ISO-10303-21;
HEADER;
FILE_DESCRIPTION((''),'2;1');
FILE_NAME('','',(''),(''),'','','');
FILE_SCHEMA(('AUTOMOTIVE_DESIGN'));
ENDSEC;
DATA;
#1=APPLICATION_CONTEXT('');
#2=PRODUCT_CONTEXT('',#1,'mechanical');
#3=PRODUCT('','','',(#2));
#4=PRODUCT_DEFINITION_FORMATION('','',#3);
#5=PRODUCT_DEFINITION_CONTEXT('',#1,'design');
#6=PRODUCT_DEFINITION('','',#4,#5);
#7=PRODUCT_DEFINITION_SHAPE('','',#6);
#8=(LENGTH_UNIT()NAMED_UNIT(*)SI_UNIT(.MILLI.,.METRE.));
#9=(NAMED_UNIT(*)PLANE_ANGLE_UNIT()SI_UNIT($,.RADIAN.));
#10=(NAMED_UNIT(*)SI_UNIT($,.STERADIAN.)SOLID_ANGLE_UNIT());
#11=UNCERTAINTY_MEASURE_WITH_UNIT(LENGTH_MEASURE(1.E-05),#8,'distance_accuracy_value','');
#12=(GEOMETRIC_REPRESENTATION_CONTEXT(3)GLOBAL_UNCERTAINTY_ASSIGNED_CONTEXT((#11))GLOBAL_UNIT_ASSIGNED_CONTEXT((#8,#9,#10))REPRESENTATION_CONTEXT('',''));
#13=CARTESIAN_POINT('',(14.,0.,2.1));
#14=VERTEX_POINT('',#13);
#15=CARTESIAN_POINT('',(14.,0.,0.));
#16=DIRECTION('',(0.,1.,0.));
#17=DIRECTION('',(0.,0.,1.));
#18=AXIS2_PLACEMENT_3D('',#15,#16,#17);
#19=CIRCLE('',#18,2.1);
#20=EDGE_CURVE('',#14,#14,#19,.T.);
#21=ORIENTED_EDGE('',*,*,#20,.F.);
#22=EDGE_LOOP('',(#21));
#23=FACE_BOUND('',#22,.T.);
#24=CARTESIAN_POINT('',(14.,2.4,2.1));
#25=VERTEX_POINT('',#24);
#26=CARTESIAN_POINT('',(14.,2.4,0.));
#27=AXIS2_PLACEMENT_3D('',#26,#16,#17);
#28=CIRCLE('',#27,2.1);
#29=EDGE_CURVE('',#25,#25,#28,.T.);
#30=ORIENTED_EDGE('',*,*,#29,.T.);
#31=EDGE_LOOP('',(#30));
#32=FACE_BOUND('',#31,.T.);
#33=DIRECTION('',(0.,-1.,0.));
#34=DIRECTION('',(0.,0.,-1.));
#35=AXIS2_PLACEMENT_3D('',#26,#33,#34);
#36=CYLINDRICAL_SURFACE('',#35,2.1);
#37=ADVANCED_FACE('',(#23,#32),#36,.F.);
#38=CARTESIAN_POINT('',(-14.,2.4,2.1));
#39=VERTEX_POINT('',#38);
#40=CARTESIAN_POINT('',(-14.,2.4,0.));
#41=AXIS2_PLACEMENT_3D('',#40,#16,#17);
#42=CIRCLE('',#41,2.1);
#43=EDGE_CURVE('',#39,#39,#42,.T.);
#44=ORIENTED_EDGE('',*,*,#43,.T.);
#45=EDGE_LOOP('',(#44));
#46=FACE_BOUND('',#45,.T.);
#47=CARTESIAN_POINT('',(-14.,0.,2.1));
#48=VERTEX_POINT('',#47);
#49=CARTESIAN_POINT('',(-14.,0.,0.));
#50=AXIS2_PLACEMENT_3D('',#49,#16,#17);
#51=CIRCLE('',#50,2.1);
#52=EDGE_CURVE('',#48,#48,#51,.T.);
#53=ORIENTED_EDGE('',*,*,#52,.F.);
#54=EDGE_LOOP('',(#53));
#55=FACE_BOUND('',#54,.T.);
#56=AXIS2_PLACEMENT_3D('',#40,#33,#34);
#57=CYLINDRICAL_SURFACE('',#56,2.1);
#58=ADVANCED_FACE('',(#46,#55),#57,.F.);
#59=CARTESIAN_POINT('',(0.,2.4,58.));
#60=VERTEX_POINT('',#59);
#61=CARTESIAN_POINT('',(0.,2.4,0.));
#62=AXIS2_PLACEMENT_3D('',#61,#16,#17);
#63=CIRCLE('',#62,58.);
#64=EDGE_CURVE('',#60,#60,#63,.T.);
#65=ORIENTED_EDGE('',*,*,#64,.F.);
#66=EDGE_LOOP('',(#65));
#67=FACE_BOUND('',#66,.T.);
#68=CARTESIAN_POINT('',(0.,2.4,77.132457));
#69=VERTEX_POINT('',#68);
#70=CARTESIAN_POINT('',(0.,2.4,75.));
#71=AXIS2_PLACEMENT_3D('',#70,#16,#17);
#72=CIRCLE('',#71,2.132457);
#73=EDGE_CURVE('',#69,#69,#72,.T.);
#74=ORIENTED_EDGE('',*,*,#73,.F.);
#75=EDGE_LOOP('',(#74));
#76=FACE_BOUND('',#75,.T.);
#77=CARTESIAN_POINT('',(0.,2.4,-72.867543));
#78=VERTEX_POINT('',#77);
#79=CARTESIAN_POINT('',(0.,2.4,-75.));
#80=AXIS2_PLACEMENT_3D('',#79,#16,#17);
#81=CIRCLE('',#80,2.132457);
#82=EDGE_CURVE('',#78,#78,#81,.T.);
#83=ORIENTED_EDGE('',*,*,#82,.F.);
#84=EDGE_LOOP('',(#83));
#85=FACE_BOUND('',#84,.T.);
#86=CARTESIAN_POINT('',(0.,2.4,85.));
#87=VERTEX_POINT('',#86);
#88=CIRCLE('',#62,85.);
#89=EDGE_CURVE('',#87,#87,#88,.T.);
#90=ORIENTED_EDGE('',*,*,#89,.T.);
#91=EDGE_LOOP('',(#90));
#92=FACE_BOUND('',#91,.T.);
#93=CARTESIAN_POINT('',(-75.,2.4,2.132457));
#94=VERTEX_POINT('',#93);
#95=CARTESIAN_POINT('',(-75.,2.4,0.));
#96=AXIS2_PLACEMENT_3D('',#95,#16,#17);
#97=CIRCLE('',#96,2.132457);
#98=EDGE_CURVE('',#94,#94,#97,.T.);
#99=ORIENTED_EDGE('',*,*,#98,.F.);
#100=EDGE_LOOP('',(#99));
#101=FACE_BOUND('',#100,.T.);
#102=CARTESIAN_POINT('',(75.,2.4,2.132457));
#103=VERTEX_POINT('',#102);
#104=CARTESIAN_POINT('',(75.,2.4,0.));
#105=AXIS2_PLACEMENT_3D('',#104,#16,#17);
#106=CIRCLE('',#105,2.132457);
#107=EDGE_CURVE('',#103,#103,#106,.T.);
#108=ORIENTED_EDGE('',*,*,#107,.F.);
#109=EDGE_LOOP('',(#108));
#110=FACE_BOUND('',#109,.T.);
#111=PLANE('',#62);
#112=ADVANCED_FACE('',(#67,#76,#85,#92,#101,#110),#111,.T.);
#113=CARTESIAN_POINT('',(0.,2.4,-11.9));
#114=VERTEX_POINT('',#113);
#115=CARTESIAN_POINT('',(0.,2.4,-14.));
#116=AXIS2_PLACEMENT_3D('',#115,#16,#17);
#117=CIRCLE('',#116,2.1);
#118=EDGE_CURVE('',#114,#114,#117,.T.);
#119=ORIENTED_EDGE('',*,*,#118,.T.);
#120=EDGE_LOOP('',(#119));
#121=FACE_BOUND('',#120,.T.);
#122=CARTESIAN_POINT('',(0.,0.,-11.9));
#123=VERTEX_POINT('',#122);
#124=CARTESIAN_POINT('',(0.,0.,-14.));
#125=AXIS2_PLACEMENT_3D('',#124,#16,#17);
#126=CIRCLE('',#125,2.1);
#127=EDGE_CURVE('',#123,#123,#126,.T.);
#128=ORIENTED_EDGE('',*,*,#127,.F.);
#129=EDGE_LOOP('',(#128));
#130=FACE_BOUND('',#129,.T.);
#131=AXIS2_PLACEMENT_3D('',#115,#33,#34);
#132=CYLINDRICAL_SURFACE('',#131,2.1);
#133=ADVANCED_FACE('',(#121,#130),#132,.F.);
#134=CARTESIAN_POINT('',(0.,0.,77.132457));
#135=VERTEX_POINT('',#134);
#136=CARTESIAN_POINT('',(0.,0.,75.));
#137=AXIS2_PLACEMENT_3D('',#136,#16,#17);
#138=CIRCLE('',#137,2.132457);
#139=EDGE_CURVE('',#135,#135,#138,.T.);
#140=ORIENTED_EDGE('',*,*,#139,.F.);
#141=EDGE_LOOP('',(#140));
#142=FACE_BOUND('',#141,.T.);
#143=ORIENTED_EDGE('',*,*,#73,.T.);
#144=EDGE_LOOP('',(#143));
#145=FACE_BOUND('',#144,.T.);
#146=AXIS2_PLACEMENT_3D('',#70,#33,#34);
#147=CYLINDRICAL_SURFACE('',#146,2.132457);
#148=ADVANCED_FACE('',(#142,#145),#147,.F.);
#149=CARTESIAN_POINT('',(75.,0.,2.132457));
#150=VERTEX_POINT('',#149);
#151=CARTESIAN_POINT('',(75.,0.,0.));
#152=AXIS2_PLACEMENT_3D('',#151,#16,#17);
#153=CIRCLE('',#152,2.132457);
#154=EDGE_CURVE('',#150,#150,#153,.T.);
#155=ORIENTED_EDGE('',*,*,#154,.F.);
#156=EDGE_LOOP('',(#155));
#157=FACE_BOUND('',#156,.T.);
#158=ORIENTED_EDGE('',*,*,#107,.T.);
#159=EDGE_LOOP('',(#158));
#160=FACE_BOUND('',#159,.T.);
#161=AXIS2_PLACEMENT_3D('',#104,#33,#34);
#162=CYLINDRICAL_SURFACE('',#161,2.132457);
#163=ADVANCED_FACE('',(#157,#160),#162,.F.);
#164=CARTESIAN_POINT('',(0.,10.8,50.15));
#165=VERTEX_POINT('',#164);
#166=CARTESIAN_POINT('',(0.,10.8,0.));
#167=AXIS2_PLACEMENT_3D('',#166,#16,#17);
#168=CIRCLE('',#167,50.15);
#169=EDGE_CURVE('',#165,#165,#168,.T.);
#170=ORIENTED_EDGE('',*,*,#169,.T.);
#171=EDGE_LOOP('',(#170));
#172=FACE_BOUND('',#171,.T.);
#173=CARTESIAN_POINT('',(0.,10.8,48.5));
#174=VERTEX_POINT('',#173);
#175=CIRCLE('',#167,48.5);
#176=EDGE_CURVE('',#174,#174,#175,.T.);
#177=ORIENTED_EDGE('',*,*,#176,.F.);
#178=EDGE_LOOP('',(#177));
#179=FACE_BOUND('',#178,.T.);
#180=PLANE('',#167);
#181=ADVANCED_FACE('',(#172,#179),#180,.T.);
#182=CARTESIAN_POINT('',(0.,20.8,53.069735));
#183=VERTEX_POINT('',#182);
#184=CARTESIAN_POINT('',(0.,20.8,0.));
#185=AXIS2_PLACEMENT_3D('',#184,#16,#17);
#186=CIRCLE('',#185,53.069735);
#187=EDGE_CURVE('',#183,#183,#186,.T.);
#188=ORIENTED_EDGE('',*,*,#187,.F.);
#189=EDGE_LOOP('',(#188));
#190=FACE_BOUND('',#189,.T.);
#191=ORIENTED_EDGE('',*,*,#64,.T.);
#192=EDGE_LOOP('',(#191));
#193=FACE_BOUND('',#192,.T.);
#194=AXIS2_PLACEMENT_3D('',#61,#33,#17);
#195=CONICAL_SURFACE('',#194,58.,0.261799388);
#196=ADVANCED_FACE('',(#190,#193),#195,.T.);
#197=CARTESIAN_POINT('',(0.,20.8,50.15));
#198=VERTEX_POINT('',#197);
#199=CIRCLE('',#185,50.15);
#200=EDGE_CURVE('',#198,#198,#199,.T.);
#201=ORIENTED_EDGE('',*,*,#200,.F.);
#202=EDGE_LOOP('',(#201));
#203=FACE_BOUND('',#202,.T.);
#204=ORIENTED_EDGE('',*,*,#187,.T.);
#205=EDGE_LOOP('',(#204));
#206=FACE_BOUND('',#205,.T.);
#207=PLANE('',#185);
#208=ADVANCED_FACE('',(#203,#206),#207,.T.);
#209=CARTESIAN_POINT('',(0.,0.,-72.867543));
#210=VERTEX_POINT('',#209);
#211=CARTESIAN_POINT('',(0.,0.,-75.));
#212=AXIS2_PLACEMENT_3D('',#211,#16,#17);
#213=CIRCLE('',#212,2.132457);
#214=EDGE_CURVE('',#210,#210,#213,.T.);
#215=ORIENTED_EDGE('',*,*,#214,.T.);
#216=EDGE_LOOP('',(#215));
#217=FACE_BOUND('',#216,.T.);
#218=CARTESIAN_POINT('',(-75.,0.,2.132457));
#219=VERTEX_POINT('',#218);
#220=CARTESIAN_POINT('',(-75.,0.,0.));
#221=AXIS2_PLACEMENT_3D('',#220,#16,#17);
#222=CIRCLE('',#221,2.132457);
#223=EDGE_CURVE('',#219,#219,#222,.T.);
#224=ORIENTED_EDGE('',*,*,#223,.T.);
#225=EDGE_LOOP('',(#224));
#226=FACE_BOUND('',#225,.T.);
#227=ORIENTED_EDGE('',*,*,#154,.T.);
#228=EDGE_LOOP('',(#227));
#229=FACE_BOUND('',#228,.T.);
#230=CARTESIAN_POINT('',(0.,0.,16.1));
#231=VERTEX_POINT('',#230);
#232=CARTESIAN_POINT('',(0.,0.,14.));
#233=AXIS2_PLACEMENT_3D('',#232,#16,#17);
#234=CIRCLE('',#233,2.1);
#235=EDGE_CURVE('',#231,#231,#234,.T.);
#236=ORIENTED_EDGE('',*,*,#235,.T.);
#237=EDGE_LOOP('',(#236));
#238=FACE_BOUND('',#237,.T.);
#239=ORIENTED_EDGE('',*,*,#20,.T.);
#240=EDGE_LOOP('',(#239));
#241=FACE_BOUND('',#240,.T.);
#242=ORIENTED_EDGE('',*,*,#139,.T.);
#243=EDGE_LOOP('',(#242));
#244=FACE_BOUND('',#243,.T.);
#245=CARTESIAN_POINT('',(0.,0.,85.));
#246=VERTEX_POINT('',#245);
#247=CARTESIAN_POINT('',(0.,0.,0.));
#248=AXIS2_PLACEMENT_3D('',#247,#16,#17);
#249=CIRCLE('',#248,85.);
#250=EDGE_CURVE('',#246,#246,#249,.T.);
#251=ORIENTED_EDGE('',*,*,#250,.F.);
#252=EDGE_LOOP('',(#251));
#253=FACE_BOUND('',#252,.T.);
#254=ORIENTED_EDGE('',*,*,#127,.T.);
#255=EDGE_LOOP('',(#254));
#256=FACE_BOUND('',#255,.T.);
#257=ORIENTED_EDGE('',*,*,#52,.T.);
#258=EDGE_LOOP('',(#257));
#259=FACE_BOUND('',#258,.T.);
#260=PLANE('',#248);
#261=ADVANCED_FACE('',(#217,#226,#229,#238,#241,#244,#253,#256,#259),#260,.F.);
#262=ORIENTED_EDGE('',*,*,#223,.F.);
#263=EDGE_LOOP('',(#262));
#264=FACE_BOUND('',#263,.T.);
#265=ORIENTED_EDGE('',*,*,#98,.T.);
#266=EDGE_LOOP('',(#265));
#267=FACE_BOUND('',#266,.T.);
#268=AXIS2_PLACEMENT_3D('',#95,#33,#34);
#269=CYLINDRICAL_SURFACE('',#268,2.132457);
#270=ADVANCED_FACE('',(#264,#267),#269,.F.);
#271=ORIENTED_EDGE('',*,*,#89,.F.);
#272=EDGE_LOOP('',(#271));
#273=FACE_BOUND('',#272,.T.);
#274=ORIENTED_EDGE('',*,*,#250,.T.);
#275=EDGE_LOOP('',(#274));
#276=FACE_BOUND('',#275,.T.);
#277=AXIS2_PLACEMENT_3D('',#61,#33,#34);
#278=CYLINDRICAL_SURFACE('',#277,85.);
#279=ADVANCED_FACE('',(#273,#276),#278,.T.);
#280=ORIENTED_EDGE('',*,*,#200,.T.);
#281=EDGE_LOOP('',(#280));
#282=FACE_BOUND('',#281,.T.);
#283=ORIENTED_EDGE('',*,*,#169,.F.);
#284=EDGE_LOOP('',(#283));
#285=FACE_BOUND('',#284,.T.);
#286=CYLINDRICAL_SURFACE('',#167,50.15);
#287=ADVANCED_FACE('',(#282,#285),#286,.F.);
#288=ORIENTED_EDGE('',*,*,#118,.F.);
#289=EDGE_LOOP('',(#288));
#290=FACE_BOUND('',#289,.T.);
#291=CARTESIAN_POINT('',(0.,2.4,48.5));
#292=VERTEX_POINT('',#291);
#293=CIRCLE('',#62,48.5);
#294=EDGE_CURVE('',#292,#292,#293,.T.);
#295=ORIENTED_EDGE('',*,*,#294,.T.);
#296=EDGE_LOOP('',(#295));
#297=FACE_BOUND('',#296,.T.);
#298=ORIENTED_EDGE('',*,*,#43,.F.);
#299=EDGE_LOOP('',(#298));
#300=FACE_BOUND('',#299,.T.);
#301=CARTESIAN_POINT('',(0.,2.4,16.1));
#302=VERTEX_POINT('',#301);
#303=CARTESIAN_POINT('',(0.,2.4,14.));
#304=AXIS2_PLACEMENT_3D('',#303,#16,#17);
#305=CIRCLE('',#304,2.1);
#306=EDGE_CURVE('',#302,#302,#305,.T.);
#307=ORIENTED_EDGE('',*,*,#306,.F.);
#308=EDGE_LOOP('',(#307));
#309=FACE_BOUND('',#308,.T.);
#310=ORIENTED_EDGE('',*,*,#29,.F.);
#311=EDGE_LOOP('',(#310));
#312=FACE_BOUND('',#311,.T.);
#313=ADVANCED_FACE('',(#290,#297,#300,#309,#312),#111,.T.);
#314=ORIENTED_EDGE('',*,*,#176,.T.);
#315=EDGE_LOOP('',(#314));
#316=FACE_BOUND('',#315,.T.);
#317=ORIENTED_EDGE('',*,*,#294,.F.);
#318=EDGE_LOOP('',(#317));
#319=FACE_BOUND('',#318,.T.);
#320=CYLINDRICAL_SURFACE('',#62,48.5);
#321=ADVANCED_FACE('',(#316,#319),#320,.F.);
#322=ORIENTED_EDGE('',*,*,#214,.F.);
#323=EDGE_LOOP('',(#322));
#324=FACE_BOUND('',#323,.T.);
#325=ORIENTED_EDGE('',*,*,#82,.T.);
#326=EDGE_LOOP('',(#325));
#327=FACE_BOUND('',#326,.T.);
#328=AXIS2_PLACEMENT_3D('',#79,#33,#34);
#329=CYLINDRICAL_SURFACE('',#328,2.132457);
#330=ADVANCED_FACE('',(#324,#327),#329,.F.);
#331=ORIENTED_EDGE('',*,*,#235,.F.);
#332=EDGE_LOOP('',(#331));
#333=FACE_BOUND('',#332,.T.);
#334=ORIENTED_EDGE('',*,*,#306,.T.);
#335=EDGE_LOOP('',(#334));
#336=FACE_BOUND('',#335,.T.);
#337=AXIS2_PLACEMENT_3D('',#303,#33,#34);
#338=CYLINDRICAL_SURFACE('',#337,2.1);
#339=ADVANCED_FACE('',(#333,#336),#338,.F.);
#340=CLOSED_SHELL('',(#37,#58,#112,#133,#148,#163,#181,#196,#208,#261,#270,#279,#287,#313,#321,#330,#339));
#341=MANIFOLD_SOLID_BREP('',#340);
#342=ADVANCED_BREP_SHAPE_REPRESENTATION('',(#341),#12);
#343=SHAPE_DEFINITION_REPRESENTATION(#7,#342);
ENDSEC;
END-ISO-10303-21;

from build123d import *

# Parameters (mm, degrees)
SKETCH1_R           = 85
SKETCH1_R_2         = 2.132457031
SKETCH1_R_3         = 2.1
BOSS_EXTRUDE1_DEPTH = 2.4
SKETCH2_R           = 58
BOSS_EXTRUDE2_DEPTH = 18.4
BOSS_EXTRUDE2_TAPER = 15
SKETCH3_R           = 50.15
CUT_EXTRUDE1_DEPTH  = 10
SKETCH4_R           = 48.5
CUT_EXTRUDE2_DEPTH  = 8.4


with BuildPart() as part:
    # Sketch1 → Boss-Extrude1 (new body)
    with BuildSketch(Plane(origin=(0, 0, 0), x_dir=(1, 0, 0), z_dir=(0, 1, 0))):
        with Locations(Location((0, 0, 0), (0, 0, 270))):
            Circle(SKETCH1_R)
        with Locations(Location((-75, 0, 0), (0, 0, 270))):
            Circle(SKETCH1_R_2, mode=Mode.SUBTRACT)
        with Locations(Location((0, 75, 0), (0, 0, 270))):
            Circle(SKETCH1_R_2, mode=Mode.SUBTRACT)
        with Locations(Location((75, 0, 0), (0, 0, 270))):
            Circle(SKETCH1_R_2, mode=Mode.SUBTRACT)
        with Locations(Location((0, -75, 0), (0, 0, 270))):
            Circle(SKETCH1_R_2, mode=Mode.SUBTRACT)
        with Locations(Location((-14, 0, 0), (0, 0, 270))):
            Circle(SKETCH1_R_3, mode=Mode.SUBTRACT)
        with Locations(Location((0, 14, 0), (0, 0, 270))):
            Circle(SKETCH1_R_3, mode=Mode.SUBTRACT)
        with Locations(Location((14, 0, 0), (0, 0, 270))):
            Circle(SKETCH1_R_3, mode=Mode.SUBTRACT)
        with Locations(Location((0, -14, 0), (0, 0, 270))):
            Circle(SKETCH1_R_3, mode=Mode.SUBTRACT)
    extrude(amount=BOSS_EXTRUDE1_DEPTH)

    # Sketch2 → Boss-Extrude2 (add)
    with BuildSketch(Plane(origin=(0, 2.4, 0), x_dir=(1, 0, 0), z_dir=(0, 1, 0))):
        Circle(SKETCH2_R)
    extrude(amount=BOSS_EXTRUDE2_DEPTH, taper=BOSS_EXTRUDE2_TAPER)

    # Sketch3 → Cut-Extrude1 (cut)
    with BuildSketch(Plane(origin=(0, 20.8, 0), x_dir=(1, 0, 0), z_dir=(0, 1, 0))):
        with Locations(Location((0, 0, 0), (0, 0, 270))):
            Circle(SKETCH3_R)
    extrude(amount=-CUT_EXTRUDE1_DEPTH, mode=Mode.SUBTRACT)

    # Sketch4 → Cut-Extrude2 (cut)
    with BuildSketch(Plane(origin=(0, 10.8, 0), x_dir=(1, 0, 0), z_dir=(0, 1, 0))):
        with Locations(Location((0, 0, 0), (0, 0, 270))):
            Circle(SKETCH4_R)
    extrude(amount=-CUT_EXTRUDE2_DEPTH, mode=Mode.SUBTRACT)


solid = part.part
